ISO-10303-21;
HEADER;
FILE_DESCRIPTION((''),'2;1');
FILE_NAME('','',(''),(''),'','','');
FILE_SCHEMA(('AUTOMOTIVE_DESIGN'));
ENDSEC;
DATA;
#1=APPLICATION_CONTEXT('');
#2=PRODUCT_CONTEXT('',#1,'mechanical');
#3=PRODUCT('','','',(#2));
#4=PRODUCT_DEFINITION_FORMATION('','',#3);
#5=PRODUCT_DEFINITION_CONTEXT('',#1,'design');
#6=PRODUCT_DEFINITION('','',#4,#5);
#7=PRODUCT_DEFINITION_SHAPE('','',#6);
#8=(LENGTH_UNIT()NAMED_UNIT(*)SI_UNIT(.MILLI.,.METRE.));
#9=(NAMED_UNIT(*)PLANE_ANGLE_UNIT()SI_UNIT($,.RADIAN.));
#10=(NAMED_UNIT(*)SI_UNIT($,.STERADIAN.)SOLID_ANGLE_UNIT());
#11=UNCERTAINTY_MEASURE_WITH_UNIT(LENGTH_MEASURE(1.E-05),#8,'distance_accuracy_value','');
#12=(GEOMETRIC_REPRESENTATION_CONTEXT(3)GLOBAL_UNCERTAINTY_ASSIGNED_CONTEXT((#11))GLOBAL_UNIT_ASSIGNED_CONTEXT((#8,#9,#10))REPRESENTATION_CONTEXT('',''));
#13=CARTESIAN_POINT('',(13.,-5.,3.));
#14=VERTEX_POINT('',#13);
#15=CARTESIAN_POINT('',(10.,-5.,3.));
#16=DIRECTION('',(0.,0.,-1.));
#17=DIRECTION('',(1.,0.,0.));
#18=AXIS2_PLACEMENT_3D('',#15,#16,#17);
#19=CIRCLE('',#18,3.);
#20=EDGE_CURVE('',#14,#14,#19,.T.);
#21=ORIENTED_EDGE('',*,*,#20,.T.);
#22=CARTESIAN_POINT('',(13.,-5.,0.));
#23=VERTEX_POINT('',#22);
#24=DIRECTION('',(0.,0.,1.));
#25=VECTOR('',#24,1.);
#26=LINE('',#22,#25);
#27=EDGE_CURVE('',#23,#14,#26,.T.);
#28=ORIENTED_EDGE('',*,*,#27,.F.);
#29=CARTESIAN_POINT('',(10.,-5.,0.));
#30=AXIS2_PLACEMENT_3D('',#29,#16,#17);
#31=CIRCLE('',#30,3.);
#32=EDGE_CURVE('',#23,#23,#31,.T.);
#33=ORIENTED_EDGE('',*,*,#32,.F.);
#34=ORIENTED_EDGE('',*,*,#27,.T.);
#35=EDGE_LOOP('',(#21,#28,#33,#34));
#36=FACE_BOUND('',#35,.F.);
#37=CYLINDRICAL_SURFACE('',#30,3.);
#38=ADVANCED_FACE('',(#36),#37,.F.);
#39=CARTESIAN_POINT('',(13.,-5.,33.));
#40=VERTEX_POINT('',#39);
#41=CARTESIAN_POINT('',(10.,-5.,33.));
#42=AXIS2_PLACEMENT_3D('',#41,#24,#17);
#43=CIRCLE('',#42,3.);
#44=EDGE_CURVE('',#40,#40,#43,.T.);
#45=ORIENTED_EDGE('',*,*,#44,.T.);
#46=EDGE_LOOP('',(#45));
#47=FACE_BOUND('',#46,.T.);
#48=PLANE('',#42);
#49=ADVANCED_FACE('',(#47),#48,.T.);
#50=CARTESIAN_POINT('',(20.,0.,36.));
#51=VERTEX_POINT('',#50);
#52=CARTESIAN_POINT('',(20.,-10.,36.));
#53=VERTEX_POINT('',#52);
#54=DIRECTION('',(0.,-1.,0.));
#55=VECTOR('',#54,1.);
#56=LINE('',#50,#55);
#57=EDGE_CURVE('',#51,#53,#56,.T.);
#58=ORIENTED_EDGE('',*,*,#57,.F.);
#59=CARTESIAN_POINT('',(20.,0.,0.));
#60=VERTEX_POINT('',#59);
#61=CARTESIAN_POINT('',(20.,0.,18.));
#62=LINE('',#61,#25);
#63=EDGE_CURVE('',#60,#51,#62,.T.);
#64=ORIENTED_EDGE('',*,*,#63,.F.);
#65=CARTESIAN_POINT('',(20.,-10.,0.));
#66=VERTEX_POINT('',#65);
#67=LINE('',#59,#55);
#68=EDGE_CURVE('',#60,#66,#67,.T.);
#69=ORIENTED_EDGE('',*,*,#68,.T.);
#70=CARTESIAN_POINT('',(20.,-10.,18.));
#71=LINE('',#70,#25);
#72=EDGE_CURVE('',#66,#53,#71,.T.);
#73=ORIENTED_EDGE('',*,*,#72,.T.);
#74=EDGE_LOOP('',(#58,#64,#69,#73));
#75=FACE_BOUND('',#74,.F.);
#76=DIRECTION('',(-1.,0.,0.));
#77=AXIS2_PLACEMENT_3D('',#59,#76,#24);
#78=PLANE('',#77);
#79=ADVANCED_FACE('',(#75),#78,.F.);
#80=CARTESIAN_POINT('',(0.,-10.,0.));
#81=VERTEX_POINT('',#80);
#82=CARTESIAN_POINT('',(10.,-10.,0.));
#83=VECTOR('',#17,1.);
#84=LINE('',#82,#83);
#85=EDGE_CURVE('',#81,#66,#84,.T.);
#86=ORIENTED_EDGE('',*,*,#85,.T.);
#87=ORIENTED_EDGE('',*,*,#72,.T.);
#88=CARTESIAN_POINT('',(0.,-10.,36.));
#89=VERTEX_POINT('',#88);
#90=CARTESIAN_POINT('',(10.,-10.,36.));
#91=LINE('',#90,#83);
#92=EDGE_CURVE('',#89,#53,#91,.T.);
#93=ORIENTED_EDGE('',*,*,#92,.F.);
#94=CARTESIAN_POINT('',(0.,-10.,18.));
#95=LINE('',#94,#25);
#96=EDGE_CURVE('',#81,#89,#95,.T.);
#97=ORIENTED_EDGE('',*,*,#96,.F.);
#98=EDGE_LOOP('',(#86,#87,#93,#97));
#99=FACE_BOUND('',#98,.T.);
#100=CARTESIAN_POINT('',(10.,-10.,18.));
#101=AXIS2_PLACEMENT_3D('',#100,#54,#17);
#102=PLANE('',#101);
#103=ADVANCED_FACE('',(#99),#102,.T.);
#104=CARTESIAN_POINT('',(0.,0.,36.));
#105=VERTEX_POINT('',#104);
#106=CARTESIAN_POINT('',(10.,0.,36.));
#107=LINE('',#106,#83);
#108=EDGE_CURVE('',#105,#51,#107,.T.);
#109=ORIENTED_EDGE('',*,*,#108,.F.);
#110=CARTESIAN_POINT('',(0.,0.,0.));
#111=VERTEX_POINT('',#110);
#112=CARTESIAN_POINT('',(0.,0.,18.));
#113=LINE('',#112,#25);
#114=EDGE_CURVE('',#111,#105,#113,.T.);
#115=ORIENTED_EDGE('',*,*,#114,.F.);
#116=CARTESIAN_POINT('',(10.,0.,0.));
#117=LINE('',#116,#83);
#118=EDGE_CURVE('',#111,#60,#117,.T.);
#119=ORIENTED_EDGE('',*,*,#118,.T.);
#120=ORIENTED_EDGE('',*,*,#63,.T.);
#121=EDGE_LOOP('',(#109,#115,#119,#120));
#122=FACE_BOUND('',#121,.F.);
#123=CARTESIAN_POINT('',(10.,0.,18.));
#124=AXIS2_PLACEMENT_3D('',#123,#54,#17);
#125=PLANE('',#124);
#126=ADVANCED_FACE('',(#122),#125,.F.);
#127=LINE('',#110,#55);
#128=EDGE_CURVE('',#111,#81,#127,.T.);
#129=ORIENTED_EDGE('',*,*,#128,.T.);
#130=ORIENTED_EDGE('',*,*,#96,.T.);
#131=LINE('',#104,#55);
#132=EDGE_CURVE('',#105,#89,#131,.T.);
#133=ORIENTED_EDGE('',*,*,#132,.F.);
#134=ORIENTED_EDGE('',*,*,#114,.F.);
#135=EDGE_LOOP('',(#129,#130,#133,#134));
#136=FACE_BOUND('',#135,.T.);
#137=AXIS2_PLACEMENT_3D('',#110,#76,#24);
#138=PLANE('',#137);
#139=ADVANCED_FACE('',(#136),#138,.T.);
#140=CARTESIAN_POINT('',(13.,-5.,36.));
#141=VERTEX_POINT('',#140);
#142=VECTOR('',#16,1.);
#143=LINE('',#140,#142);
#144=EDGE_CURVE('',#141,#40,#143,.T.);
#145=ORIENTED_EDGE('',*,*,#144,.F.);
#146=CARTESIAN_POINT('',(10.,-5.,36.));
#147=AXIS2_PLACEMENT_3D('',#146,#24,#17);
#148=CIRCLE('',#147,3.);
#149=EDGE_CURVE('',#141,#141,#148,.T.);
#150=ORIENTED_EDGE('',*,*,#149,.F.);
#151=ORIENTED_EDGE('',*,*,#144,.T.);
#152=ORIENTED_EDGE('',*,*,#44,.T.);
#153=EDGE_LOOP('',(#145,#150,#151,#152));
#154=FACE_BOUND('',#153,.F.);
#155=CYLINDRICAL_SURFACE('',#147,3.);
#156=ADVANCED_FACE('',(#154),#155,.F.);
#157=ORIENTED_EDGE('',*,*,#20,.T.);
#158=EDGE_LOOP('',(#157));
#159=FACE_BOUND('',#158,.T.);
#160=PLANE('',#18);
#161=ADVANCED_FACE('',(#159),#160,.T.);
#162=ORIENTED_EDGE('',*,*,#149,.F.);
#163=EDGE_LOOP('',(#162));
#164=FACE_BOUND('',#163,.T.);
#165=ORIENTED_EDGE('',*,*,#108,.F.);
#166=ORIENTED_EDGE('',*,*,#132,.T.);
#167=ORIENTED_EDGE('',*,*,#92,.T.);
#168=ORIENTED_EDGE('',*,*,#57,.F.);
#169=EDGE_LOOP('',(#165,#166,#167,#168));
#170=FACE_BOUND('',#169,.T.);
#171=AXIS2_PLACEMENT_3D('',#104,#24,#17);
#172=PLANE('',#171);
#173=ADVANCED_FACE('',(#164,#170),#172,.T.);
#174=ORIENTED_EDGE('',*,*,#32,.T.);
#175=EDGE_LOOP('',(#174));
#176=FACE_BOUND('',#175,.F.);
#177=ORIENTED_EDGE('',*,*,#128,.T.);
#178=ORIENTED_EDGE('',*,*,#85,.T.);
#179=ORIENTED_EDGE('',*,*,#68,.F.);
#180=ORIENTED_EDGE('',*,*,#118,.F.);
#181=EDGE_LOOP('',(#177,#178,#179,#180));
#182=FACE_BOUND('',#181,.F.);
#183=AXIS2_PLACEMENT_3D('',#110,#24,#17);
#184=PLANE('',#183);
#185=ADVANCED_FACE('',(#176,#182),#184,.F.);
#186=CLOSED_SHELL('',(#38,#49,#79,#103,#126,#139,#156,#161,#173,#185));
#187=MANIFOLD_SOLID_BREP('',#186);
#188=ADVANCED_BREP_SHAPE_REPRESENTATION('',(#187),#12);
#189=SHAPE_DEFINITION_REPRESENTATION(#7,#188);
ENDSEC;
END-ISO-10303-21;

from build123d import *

# Parameters (mm, degrees)
F0_W     = 20
F0_H     = 36
F1_DEPTH = 10
F2_R     = 3
F3_DEPTH = 3
F4_R     = 3
F5_DEPTH = 3


with BuildPart() as f1:
    # F0 (on Front) → F1 (new body)
    with BuildSketch(Plane.XZ):
        with Locations((10, 18)):
            Rectangle(F0_W, F0_H)
    extrude(amount=F1_DEPTH)

    # F2 (on face) → F3 (cut)
    with BuildSketch(Plane(origin=(0, 0, 0), x_dir=(1, 0, 0), z_dir=(0, 0, -1))):
        with Locations((10, 5)):
            Circle(F2_R)
    extrude(amount=-F3_DEPTH, mode=Mode.SUBTRACT)

    # F4 (on face) → F5 (cut)
    with BuildSketch(Plane.XY.offset(36)):
        with Locations((10, -5)):
            Circle(F4_R)
    extrude(amount=-F5_DEPTH, mode=Mode.SUBTRACT)


solid = f1.part
